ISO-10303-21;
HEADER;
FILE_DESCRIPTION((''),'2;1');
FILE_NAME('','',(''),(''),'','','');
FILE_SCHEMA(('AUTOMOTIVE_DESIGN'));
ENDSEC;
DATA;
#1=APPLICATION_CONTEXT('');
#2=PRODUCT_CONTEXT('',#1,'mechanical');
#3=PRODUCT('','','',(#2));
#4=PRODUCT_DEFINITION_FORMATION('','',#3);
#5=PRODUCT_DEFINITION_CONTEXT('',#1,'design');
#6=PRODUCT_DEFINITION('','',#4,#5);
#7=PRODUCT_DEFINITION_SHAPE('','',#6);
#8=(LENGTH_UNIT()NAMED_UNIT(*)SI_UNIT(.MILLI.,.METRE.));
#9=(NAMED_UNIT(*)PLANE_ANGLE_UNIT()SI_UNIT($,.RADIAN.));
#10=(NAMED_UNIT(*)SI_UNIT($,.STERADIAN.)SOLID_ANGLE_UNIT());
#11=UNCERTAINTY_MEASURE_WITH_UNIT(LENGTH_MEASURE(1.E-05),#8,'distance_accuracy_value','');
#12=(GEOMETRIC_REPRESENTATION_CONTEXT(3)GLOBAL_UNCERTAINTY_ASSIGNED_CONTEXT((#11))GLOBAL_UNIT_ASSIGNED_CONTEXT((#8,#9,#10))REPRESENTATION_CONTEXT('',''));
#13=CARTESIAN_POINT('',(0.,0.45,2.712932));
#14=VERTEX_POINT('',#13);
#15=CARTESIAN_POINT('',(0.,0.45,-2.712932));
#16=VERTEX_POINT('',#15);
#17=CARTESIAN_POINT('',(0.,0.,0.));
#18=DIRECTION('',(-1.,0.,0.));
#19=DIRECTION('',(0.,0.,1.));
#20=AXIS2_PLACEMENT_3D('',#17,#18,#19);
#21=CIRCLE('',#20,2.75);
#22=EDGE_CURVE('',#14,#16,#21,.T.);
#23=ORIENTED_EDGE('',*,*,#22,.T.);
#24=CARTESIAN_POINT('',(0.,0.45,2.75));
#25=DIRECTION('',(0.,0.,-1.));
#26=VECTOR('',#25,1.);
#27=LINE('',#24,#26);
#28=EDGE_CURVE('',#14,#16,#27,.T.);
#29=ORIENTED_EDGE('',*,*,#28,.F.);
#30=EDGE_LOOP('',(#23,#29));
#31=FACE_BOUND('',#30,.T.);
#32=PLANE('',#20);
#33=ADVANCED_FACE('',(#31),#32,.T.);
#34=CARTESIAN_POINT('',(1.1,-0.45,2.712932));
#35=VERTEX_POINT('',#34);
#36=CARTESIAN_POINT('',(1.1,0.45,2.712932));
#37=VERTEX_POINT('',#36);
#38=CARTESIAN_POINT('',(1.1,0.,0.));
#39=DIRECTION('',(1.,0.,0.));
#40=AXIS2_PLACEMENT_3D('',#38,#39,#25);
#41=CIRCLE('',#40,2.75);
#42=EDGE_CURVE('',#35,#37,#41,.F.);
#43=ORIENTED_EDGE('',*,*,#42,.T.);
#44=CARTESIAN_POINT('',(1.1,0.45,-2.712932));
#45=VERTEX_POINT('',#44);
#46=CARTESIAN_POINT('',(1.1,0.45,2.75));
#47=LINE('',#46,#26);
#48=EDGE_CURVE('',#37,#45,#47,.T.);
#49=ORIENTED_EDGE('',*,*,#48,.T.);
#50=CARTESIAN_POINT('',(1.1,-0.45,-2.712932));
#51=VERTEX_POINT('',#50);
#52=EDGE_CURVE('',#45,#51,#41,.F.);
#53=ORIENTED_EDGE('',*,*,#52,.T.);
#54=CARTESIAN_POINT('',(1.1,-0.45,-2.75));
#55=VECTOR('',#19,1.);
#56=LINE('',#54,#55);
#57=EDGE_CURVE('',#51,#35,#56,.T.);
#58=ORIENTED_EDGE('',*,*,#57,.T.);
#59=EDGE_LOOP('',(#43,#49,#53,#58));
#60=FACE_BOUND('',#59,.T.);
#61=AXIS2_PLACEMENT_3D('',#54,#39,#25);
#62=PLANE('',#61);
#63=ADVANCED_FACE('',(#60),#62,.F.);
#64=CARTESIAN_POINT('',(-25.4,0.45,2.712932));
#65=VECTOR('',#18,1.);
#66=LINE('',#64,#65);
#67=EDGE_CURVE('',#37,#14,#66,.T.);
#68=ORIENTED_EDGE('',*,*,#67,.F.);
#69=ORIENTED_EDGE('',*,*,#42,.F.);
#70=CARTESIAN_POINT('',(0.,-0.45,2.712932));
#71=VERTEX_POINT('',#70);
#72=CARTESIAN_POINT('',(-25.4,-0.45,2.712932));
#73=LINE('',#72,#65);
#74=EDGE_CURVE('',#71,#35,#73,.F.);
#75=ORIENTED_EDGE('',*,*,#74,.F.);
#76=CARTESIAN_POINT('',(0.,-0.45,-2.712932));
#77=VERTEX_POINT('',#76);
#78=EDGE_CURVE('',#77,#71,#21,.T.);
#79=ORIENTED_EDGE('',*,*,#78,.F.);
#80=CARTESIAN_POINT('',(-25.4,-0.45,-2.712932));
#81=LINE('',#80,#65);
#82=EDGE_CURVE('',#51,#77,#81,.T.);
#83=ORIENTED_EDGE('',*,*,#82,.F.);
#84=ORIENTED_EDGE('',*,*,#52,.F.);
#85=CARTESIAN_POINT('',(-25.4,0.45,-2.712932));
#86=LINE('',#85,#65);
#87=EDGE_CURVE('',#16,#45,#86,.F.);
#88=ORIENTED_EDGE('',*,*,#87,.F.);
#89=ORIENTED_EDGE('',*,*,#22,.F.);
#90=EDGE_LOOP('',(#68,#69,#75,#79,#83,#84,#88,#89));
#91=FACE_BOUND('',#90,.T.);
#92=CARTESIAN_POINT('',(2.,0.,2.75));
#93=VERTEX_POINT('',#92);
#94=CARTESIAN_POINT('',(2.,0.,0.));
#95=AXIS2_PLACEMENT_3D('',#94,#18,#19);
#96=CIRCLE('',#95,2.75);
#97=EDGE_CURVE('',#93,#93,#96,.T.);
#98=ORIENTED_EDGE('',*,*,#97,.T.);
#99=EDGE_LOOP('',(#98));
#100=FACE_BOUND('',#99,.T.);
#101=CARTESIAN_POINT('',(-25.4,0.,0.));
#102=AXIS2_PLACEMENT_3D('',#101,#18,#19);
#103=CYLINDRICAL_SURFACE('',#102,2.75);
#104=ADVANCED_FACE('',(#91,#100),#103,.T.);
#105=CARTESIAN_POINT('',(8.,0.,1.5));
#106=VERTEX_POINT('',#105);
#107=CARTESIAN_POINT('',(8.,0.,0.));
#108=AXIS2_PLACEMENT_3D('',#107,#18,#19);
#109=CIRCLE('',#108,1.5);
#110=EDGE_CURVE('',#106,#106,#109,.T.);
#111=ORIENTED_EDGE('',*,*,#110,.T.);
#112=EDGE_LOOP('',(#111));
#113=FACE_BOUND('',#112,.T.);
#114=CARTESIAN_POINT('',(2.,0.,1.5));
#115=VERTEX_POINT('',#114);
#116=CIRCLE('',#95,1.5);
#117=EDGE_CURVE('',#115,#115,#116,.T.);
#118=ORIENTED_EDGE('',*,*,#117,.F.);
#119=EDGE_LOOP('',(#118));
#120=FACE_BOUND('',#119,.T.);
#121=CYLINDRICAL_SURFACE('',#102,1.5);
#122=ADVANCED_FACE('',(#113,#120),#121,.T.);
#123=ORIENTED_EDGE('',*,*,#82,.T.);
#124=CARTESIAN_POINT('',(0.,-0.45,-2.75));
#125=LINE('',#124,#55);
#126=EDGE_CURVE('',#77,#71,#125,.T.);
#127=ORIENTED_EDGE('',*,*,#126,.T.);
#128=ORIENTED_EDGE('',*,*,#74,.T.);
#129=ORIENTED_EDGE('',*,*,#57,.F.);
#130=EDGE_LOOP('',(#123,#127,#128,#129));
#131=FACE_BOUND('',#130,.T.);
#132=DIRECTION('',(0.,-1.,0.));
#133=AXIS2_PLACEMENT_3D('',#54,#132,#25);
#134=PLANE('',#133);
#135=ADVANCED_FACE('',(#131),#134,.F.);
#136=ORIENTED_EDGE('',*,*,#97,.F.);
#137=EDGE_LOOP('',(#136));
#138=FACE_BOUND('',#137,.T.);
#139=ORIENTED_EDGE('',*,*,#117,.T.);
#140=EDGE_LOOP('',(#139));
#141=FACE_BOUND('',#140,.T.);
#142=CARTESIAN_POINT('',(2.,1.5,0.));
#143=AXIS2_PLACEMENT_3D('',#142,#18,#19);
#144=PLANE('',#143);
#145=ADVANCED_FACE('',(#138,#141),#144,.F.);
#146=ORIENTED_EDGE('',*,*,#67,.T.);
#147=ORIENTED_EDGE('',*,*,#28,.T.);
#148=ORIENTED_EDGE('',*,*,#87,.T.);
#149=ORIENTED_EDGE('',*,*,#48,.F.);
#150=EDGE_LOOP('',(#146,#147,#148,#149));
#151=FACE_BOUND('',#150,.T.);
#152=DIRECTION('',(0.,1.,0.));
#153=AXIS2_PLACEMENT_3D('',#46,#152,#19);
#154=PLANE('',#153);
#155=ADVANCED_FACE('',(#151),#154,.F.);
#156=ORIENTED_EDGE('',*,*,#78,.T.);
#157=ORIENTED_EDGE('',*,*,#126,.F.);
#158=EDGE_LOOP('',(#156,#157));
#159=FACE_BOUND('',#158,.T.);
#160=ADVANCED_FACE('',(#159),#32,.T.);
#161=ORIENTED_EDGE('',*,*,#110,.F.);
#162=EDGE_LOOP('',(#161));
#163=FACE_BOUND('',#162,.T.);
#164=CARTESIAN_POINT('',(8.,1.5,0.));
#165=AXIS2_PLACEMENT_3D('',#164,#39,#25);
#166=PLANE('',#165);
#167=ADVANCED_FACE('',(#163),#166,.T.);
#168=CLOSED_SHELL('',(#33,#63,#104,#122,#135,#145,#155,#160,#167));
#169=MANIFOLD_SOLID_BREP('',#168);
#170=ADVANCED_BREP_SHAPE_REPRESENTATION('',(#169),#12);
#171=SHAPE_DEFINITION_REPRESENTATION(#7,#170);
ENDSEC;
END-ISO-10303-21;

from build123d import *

# Parameters (mm, degrees)
SKETCH2_W  = 5.5
SKETCH2_H  = 0.9
SLOT_DEPTH = 1.1


with BuildPart() as part:
    # BodySke → Base-Revolve (revolve)
    with BuildSketch(Plane.XY, mode=Mode.PRIVATE) as base_revolve_sk:
        Polygon((2, 1.5), (2, 2.75), (0, 2.75), (0, 0), (8, 0), (8, 1.5), align=None)
    revolve(base_revolve_sk.sketch.rotate(Axis((-25.4, 0, 0), (1, 0, 0)), 90), axis=Axis((-25.4, 0, 0), (1, 0, 0)))

    # Sketch2 → Slot (cut)
    with BuildSketch(Plane(origin=(0, 0, 0), x_dir=(0, 0, -1), z_dir=(1, 0, 0))):
        Rectangle(SKETCH2_W, SKETCH2_H)
    extrude(amount=SLOT_DEPTH, mode=Mode.SUBTRACT)


solid = part.part
